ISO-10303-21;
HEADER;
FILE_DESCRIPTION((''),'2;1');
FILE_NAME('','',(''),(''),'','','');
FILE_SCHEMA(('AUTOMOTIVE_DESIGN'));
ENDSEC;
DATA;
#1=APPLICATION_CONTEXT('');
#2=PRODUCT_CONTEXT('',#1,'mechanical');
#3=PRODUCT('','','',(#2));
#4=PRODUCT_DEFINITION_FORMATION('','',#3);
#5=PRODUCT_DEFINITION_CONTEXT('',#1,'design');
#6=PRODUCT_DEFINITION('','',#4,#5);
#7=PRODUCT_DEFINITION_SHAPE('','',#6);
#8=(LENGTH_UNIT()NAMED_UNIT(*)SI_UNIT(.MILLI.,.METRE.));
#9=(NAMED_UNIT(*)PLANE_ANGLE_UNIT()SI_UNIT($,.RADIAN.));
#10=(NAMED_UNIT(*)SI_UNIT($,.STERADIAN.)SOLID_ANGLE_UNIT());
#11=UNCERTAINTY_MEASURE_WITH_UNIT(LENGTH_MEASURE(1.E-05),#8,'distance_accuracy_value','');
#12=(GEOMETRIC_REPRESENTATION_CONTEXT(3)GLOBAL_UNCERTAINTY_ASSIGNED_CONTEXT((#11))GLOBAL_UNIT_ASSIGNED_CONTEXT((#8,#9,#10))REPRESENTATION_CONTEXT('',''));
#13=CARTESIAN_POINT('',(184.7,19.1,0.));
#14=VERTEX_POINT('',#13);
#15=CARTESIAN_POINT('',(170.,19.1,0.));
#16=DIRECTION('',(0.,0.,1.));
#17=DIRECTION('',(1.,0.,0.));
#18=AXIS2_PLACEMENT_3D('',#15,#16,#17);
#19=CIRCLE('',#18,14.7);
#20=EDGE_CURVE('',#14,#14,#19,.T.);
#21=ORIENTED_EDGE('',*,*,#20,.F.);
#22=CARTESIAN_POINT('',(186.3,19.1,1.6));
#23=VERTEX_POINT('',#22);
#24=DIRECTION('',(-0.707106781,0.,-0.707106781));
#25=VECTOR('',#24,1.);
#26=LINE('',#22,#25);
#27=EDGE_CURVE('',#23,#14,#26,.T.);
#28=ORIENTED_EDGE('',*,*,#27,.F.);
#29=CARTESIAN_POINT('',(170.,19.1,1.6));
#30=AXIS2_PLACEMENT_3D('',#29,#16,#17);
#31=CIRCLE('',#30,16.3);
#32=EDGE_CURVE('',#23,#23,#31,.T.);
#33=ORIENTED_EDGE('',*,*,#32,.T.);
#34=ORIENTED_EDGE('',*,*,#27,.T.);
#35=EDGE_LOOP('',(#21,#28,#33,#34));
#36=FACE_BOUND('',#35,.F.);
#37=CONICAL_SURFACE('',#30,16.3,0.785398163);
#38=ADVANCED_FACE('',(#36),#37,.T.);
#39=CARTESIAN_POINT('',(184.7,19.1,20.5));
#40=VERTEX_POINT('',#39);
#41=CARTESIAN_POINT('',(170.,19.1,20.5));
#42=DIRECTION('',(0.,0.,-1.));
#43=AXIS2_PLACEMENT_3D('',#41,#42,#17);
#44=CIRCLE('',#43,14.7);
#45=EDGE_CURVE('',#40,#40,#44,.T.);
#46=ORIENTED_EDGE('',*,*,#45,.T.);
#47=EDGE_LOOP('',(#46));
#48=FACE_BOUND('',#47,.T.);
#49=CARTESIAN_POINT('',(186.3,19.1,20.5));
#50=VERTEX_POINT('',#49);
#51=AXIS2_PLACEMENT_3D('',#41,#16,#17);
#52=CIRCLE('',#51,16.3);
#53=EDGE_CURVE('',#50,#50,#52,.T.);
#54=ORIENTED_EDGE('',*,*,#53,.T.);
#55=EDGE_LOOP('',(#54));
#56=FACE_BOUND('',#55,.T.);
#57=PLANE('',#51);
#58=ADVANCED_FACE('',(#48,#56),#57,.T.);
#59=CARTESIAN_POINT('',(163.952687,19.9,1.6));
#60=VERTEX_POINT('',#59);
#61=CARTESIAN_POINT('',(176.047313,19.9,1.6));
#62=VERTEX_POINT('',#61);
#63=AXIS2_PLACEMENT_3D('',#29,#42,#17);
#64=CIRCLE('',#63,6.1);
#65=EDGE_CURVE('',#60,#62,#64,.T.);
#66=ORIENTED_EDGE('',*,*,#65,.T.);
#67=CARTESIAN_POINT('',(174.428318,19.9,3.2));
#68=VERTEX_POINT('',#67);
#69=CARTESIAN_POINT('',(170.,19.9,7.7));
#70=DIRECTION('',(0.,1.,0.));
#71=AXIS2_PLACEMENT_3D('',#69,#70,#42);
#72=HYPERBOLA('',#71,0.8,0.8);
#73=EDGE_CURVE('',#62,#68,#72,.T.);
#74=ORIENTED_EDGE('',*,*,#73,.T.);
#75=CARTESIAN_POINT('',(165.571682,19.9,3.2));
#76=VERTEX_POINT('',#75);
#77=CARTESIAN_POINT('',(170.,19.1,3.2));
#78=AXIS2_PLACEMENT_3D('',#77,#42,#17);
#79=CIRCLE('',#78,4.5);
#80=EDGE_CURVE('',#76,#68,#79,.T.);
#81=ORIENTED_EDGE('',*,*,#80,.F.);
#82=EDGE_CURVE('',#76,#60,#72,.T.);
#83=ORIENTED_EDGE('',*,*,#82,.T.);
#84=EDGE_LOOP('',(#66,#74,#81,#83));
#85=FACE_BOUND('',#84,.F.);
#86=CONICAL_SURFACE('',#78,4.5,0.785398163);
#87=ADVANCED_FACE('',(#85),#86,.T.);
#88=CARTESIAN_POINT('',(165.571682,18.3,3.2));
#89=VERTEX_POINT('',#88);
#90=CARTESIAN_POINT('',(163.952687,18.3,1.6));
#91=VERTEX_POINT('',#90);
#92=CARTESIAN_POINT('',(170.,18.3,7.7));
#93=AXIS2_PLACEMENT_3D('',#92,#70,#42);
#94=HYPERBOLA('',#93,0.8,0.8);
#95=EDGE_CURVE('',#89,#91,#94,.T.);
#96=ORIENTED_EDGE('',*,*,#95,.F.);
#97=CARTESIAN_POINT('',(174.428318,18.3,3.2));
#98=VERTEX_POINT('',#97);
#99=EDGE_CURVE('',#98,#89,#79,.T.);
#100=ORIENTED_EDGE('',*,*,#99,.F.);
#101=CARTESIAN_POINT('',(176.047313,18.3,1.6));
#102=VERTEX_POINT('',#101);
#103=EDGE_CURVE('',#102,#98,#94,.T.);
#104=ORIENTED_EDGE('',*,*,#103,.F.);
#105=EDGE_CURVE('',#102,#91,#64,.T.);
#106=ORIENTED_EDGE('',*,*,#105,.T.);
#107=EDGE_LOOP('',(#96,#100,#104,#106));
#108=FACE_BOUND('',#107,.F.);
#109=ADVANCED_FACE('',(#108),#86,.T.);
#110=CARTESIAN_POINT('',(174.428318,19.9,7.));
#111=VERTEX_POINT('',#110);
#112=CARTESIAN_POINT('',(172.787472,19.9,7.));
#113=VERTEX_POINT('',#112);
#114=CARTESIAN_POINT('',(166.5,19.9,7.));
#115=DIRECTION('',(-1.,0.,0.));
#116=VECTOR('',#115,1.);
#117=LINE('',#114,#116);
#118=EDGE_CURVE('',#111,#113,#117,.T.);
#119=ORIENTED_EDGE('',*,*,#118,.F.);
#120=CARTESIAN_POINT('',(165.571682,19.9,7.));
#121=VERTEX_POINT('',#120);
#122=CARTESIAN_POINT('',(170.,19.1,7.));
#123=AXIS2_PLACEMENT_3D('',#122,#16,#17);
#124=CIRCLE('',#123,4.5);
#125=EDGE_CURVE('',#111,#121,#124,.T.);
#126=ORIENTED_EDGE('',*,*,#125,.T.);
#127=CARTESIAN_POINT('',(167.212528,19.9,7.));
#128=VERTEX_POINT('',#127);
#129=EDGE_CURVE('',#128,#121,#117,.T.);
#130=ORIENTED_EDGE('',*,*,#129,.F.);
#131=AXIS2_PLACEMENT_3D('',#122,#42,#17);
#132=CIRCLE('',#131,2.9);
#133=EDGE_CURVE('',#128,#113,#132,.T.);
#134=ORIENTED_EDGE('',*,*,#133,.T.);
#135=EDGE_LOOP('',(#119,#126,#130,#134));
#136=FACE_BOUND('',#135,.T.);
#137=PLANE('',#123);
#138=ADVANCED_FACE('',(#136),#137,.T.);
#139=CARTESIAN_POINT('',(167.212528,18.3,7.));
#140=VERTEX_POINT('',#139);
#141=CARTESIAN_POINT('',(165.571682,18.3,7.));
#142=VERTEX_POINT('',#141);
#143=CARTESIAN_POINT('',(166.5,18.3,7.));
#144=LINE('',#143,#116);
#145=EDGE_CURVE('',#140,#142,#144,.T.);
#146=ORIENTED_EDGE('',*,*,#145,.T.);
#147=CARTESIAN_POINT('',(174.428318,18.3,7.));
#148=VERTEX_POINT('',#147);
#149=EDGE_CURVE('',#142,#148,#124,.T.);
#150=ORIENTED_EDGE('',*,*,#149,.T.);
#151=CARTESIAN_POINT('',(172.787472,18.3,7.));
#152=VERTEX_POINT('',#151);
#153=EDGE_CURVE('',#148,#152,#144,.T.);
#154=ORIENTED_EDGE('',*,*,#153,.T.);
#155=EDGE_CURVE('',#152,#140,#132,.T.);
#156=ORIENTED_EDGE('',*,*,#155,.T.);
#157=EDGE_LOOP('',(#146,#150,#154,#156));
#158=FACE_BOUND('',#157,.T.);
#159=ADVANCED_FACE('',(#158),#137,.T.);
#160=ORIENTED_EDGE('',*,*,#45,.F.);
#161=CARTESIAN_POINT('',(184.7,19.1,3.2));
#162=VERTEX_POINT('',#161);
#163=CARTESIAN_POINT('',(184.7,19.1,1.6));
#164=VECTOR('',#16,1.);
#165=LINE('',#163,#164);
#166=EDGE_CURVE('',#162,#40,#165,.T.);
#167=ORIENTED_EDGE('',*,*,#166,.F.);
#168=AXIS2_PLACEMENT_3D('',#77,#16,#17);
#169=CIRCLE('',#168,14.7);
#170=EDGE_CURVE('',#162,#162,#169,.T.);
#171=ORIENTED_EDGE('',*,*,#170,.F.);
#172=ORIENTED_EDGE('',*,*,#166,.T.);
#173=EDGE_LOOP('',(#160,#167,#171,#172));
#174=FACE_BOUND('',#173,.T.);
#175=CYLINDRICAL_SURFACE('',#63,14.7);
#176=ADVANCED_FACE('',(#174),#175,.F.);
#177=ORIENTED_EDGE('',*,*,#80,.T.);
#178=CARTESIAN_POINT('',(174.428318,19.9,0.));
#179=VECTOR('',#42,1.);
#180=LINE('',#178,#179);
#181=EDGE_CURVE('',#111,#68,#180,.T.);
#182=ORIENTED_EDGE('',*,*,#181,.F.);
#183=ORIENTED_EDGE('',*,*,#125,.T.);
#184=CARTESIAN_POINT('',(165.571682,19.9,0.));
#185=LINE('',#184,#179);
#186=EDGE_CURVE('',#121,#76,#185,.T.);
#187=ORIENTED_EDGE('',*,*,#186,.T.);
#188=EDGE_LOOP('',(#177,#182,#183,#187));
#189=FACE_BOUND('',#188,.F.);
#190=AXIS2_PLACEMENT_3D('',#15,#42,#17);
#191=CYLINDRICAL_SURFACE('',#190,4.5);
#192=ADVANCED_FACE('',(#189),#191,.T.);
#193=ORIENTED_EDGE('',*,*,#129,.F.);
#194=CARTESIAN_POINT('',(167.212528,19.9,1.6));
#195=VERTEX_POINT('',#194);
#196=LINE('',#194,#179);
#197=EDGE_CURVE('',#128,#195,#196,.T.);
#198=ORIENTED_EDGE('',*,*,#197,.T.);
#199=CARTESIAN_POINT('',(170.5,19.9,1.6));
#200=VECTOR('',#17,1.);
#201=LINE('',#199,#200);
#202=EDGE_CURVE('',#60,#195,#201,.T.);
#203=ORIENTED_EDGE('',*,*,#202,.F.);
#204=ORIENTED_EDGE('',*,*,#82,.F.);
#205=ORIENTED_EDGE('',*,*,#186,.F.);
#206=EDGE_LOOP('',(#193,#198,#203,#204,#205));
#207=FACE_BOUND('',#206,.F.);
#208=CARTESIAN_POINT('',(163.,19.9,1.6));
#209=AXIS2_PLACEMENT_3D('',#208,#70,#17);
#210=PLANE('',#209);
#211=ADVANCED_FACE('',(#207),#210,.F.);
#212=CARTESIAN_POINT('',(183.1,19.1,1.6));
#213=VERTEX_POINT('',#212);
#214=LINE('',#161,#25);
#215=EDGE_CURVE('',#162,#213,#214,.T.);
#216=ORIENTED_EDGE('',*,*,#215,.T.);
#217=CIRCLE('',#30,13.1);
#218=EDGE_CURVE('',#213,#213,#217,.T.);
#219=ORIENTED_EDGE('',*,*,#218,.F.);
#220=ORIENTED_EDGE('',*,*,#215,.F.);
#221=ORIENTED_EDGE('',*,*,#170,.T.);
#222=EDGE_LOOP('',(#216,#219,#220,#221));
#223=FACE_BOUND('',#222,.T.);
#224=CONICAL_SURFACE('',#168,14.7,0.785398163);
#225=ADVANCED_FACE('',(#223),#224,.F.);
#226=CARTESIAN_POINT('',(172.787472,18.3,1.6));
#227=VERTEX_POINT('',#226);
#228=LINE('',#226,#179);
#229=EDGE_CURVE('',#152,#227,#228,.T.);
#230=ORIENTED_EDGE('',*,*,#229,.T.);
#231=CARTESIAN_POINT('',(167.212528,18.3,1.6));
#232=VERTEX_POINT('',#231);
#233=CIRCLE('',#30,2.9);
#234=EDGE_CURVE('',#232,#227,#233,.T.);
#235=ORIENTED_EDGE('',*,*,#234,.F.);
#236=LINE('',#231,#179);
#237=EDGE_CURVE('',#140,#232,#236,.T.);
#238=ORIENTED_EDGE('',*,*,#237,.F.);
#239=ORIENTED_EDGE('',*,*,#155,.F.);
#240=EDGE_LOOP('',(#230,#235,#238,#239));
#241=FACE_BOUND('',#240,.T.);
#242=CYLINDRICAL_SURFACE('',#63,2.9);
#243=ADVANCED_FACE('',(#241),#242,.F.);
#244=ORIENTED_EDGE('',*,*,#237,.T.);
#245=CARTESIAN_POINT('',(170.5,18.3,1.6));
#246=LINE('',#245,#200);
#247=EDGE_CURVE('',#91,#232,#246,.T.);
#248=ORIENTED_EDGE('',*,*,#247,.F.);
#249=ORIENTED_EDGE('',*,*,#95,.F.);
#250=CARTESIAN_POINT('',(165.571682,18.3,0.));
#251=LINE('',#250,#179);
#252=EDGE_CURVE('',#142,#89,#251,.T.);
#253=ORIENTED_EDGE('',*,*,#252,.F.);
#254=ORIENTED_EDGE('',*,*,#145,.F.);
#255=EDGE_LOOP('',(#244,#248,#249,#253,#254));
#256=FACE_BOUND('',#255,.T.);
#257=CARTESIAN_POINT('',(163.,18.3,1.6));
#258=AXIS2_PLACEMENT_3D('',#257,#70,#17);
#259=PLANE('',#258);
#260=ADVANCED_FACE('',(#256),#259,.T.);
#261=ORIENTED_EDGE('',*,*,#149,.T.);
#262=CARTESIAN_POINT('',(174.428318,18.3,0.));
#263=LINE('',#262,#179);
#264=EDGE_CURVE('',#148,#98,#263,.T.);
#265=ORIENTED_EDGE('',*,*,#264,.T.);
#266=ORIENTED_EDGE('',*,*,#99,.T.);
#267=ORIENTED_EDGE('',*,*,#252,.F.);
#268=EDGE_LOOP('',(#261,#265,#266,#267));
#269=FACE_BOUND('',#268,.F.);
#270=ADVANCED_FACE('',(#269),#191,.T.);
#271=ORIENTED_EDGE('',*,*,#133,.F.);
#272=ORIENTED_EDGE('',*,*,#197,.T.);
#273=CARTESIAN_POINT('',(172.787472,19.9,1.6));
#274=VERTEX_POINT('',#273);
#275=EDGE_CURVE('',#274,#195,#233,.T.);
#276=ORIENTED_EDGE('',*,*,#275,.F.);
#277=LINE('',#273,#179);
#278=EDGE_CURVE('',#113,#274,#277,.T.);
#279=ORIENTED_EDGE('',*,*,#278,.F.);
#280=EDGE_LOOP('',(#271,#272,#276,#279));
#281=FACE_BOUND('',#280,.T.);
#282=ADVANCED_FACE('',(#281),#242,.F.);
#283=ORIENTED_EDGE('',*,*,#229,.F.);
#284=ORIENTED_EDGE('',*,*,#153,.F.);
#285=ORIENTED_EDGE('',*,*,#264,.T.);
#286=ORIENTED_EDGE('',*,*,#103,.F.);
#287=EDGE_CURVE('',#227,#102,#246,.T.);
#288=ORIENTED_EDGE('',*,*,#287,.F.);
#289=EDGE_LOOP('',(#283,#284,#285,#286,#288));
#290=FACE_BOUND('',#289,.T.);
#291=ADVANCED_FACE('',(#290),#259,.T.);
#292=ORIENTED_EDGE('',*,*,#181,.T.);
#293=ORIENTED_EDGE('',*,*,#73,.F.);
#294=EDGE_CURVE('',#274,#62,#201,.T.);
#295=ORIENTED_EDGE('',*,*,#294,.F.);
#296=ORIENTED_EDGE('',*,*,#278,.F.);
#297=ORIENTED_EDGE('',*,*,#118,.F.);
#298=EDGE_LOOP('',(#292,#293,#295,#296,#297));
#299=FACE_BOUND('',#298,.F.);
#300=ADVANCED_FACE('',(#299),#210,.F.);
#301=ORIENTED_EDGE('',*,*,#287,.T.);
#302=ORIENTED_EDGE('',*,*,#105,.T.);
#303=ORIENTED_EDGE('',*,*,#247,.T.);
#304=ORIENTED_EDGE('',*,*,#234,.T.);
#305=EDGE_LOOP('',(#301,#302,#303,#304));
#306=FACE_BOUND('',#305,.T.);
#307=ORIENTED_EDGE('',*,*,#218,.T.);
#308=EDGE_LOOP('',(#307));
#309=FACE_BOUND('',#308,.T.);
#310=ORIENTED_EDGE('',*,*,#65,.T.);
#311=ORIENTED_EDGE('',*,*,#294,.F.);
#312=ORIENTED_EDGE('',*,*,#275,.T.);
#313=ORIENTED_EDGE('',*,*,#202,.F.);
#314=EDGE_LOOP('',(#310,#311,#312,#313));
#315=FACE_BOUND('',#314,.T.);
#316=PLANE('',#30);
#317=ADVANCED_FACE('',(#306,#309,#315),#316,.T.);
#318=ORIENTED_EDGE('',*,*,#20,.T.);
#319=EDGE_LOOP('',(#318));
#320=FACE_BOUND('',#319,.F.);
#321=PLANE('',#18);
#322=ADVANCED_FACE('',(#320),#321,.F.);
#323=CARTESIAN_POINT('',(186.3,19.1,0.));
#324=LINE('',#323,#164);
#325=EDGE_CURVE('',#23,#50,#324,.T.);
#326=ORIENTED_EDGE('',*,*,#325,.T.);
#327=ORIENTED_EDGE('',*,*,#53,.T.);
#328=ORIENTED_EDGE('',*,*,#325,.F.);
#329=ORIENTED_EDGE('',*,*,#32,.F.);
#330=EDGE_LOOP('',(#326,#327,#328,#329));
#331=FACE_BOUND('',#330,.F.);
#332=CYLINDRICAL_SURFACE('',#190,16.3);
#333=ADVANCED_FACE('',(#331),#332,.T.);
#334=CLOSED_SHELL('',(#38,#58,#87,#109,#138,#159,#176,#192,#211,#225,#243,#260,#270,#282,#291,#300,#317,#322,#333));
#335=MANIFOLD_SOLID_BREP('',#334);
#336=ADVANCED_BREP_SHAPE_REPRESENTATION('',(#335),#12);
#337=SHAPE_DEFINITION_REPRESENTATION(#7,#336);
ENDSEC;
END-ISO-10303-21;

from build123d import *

# Parameters (mm, degrees)
BOX014_W          = 15
BOX014_H          = 1.6
BOX014_DEPTH      = 10.5
CYLINDER024_R     = 2.9
CYLINDER024_DEPTH = 10.5
CYLINDER023_R     = 4.5
CYLINDER023_DEPTH = 7
CYLINDER022_R     = 14.7
CYLINDER022_DEPTH = 20.5
CYLINDER021_R     = 16.3
CYLINDER021_DEPTH = 20.5
CHAMFER010_SIZE   = 1.6
CHAMFER011_SIZE   = 1.6
CHAMFER012_SIZE   = 1.6


with BuildPart() as w_rfel014:
    # Box014 → Box014 (new body)
    with BuildSketch(Plane(origin=(123, 18.3, 1.6), x_dir=(1, 0, 0), z_dir=(0, 0, 1))):
        with Locations((7.5, 0.8)):
            Rectangle(BOX014_W, BOX014_H)
    extrude(amount=BOX014_DEPTH)


with BuildPart() as zylinder024:
    # Cylinder024 → Cylinder024 (new body)
    with BuildSketch(Plane(origin=(130, 19.1, 1.6), x_dir=(1, 0, 0), z_dir=(0, 0, 1))):
        Circle(CYLINDER024_R)
    extrude(amount=CYLINDER024_DEPTH)


with BuildPart() as cut016:
    # Cylinder023 → Cylinder023 (new body)
    with BuildSketch(Plane(origin=(130, 19.1, 0), x_dir=(1, 0, 0), z_dir=(0, 0, 1))):
        Circle(CYLINDER023_R)
    extrude(amount=CYLINDER023_DEPTH)

    # Cut016: cut Zylinder024
    add(zylinder024.part, mode=Mode.SUBTRACT)


with BuildPart() as zylinder022:
    # Cylinder022 → Cylinder022 (new body)
    with BuildSketch(Plane(origin=(130, 19.1, 1.6), x_dir=(1, 0, 0), z_dir=(0, 0, 1))):
        Circle(CYLINDER022_R)
    extrude(amount=CYLINDER022_DEPTH)


with BuildPart() as knob_big:
    # Cylinder021 → Cylinder021 (new body)
    with BuildSketch(Plane(origin=(130, 19.1, 0), x_dir=(1, 0, 0), z_dir=(0, 0, 1))):
        Circle(CYLINDER021_R)
    extrude(amount=CYLINDER021_DEPTH)

    # Cut015: cut Zylinder022
    add(zylinder022.part, mode=Mode.SUBTRACT)

    # Chamfer010
    chamfer010_edges = [knob_big.edges().sort_by_distance(p)[0] for p in [
        (115.3, 19.1, 1.6),
    ]]
    chamfer(chamfer010_edges, length=CHAMFER010_SIZE)

    # Chamfer011
    chamfer011_edges = [knob_big.edges().sort_by_distance(p)[0] for p in [
        (113.7, 19.1, 0),
    ]]
    chamfer(chamfer011_edges, length=CHAMFER011_SIZE)

    # Fusion014: union Cut016
    add(cut016.part)

    # Chamfer012
    chamfer012_edges = [knob_big.edges().sort_by_distance(p)[0] for p in [
        (125.5, 19.1, 1.6),
    ]]
    chamfer(chamfer012_edges, length=CHAMFER012_SIZE)

    # Cut017: cut Würfel014
    add(w_rfel014.part, mode=Mode.SUBTRACT)


with BuildPart() as knob_big_1:
    # Cut017 placement: moved
    add(knob_big.part.moved(Location((40, 0, 0))))


solid = knob_big_1.part
